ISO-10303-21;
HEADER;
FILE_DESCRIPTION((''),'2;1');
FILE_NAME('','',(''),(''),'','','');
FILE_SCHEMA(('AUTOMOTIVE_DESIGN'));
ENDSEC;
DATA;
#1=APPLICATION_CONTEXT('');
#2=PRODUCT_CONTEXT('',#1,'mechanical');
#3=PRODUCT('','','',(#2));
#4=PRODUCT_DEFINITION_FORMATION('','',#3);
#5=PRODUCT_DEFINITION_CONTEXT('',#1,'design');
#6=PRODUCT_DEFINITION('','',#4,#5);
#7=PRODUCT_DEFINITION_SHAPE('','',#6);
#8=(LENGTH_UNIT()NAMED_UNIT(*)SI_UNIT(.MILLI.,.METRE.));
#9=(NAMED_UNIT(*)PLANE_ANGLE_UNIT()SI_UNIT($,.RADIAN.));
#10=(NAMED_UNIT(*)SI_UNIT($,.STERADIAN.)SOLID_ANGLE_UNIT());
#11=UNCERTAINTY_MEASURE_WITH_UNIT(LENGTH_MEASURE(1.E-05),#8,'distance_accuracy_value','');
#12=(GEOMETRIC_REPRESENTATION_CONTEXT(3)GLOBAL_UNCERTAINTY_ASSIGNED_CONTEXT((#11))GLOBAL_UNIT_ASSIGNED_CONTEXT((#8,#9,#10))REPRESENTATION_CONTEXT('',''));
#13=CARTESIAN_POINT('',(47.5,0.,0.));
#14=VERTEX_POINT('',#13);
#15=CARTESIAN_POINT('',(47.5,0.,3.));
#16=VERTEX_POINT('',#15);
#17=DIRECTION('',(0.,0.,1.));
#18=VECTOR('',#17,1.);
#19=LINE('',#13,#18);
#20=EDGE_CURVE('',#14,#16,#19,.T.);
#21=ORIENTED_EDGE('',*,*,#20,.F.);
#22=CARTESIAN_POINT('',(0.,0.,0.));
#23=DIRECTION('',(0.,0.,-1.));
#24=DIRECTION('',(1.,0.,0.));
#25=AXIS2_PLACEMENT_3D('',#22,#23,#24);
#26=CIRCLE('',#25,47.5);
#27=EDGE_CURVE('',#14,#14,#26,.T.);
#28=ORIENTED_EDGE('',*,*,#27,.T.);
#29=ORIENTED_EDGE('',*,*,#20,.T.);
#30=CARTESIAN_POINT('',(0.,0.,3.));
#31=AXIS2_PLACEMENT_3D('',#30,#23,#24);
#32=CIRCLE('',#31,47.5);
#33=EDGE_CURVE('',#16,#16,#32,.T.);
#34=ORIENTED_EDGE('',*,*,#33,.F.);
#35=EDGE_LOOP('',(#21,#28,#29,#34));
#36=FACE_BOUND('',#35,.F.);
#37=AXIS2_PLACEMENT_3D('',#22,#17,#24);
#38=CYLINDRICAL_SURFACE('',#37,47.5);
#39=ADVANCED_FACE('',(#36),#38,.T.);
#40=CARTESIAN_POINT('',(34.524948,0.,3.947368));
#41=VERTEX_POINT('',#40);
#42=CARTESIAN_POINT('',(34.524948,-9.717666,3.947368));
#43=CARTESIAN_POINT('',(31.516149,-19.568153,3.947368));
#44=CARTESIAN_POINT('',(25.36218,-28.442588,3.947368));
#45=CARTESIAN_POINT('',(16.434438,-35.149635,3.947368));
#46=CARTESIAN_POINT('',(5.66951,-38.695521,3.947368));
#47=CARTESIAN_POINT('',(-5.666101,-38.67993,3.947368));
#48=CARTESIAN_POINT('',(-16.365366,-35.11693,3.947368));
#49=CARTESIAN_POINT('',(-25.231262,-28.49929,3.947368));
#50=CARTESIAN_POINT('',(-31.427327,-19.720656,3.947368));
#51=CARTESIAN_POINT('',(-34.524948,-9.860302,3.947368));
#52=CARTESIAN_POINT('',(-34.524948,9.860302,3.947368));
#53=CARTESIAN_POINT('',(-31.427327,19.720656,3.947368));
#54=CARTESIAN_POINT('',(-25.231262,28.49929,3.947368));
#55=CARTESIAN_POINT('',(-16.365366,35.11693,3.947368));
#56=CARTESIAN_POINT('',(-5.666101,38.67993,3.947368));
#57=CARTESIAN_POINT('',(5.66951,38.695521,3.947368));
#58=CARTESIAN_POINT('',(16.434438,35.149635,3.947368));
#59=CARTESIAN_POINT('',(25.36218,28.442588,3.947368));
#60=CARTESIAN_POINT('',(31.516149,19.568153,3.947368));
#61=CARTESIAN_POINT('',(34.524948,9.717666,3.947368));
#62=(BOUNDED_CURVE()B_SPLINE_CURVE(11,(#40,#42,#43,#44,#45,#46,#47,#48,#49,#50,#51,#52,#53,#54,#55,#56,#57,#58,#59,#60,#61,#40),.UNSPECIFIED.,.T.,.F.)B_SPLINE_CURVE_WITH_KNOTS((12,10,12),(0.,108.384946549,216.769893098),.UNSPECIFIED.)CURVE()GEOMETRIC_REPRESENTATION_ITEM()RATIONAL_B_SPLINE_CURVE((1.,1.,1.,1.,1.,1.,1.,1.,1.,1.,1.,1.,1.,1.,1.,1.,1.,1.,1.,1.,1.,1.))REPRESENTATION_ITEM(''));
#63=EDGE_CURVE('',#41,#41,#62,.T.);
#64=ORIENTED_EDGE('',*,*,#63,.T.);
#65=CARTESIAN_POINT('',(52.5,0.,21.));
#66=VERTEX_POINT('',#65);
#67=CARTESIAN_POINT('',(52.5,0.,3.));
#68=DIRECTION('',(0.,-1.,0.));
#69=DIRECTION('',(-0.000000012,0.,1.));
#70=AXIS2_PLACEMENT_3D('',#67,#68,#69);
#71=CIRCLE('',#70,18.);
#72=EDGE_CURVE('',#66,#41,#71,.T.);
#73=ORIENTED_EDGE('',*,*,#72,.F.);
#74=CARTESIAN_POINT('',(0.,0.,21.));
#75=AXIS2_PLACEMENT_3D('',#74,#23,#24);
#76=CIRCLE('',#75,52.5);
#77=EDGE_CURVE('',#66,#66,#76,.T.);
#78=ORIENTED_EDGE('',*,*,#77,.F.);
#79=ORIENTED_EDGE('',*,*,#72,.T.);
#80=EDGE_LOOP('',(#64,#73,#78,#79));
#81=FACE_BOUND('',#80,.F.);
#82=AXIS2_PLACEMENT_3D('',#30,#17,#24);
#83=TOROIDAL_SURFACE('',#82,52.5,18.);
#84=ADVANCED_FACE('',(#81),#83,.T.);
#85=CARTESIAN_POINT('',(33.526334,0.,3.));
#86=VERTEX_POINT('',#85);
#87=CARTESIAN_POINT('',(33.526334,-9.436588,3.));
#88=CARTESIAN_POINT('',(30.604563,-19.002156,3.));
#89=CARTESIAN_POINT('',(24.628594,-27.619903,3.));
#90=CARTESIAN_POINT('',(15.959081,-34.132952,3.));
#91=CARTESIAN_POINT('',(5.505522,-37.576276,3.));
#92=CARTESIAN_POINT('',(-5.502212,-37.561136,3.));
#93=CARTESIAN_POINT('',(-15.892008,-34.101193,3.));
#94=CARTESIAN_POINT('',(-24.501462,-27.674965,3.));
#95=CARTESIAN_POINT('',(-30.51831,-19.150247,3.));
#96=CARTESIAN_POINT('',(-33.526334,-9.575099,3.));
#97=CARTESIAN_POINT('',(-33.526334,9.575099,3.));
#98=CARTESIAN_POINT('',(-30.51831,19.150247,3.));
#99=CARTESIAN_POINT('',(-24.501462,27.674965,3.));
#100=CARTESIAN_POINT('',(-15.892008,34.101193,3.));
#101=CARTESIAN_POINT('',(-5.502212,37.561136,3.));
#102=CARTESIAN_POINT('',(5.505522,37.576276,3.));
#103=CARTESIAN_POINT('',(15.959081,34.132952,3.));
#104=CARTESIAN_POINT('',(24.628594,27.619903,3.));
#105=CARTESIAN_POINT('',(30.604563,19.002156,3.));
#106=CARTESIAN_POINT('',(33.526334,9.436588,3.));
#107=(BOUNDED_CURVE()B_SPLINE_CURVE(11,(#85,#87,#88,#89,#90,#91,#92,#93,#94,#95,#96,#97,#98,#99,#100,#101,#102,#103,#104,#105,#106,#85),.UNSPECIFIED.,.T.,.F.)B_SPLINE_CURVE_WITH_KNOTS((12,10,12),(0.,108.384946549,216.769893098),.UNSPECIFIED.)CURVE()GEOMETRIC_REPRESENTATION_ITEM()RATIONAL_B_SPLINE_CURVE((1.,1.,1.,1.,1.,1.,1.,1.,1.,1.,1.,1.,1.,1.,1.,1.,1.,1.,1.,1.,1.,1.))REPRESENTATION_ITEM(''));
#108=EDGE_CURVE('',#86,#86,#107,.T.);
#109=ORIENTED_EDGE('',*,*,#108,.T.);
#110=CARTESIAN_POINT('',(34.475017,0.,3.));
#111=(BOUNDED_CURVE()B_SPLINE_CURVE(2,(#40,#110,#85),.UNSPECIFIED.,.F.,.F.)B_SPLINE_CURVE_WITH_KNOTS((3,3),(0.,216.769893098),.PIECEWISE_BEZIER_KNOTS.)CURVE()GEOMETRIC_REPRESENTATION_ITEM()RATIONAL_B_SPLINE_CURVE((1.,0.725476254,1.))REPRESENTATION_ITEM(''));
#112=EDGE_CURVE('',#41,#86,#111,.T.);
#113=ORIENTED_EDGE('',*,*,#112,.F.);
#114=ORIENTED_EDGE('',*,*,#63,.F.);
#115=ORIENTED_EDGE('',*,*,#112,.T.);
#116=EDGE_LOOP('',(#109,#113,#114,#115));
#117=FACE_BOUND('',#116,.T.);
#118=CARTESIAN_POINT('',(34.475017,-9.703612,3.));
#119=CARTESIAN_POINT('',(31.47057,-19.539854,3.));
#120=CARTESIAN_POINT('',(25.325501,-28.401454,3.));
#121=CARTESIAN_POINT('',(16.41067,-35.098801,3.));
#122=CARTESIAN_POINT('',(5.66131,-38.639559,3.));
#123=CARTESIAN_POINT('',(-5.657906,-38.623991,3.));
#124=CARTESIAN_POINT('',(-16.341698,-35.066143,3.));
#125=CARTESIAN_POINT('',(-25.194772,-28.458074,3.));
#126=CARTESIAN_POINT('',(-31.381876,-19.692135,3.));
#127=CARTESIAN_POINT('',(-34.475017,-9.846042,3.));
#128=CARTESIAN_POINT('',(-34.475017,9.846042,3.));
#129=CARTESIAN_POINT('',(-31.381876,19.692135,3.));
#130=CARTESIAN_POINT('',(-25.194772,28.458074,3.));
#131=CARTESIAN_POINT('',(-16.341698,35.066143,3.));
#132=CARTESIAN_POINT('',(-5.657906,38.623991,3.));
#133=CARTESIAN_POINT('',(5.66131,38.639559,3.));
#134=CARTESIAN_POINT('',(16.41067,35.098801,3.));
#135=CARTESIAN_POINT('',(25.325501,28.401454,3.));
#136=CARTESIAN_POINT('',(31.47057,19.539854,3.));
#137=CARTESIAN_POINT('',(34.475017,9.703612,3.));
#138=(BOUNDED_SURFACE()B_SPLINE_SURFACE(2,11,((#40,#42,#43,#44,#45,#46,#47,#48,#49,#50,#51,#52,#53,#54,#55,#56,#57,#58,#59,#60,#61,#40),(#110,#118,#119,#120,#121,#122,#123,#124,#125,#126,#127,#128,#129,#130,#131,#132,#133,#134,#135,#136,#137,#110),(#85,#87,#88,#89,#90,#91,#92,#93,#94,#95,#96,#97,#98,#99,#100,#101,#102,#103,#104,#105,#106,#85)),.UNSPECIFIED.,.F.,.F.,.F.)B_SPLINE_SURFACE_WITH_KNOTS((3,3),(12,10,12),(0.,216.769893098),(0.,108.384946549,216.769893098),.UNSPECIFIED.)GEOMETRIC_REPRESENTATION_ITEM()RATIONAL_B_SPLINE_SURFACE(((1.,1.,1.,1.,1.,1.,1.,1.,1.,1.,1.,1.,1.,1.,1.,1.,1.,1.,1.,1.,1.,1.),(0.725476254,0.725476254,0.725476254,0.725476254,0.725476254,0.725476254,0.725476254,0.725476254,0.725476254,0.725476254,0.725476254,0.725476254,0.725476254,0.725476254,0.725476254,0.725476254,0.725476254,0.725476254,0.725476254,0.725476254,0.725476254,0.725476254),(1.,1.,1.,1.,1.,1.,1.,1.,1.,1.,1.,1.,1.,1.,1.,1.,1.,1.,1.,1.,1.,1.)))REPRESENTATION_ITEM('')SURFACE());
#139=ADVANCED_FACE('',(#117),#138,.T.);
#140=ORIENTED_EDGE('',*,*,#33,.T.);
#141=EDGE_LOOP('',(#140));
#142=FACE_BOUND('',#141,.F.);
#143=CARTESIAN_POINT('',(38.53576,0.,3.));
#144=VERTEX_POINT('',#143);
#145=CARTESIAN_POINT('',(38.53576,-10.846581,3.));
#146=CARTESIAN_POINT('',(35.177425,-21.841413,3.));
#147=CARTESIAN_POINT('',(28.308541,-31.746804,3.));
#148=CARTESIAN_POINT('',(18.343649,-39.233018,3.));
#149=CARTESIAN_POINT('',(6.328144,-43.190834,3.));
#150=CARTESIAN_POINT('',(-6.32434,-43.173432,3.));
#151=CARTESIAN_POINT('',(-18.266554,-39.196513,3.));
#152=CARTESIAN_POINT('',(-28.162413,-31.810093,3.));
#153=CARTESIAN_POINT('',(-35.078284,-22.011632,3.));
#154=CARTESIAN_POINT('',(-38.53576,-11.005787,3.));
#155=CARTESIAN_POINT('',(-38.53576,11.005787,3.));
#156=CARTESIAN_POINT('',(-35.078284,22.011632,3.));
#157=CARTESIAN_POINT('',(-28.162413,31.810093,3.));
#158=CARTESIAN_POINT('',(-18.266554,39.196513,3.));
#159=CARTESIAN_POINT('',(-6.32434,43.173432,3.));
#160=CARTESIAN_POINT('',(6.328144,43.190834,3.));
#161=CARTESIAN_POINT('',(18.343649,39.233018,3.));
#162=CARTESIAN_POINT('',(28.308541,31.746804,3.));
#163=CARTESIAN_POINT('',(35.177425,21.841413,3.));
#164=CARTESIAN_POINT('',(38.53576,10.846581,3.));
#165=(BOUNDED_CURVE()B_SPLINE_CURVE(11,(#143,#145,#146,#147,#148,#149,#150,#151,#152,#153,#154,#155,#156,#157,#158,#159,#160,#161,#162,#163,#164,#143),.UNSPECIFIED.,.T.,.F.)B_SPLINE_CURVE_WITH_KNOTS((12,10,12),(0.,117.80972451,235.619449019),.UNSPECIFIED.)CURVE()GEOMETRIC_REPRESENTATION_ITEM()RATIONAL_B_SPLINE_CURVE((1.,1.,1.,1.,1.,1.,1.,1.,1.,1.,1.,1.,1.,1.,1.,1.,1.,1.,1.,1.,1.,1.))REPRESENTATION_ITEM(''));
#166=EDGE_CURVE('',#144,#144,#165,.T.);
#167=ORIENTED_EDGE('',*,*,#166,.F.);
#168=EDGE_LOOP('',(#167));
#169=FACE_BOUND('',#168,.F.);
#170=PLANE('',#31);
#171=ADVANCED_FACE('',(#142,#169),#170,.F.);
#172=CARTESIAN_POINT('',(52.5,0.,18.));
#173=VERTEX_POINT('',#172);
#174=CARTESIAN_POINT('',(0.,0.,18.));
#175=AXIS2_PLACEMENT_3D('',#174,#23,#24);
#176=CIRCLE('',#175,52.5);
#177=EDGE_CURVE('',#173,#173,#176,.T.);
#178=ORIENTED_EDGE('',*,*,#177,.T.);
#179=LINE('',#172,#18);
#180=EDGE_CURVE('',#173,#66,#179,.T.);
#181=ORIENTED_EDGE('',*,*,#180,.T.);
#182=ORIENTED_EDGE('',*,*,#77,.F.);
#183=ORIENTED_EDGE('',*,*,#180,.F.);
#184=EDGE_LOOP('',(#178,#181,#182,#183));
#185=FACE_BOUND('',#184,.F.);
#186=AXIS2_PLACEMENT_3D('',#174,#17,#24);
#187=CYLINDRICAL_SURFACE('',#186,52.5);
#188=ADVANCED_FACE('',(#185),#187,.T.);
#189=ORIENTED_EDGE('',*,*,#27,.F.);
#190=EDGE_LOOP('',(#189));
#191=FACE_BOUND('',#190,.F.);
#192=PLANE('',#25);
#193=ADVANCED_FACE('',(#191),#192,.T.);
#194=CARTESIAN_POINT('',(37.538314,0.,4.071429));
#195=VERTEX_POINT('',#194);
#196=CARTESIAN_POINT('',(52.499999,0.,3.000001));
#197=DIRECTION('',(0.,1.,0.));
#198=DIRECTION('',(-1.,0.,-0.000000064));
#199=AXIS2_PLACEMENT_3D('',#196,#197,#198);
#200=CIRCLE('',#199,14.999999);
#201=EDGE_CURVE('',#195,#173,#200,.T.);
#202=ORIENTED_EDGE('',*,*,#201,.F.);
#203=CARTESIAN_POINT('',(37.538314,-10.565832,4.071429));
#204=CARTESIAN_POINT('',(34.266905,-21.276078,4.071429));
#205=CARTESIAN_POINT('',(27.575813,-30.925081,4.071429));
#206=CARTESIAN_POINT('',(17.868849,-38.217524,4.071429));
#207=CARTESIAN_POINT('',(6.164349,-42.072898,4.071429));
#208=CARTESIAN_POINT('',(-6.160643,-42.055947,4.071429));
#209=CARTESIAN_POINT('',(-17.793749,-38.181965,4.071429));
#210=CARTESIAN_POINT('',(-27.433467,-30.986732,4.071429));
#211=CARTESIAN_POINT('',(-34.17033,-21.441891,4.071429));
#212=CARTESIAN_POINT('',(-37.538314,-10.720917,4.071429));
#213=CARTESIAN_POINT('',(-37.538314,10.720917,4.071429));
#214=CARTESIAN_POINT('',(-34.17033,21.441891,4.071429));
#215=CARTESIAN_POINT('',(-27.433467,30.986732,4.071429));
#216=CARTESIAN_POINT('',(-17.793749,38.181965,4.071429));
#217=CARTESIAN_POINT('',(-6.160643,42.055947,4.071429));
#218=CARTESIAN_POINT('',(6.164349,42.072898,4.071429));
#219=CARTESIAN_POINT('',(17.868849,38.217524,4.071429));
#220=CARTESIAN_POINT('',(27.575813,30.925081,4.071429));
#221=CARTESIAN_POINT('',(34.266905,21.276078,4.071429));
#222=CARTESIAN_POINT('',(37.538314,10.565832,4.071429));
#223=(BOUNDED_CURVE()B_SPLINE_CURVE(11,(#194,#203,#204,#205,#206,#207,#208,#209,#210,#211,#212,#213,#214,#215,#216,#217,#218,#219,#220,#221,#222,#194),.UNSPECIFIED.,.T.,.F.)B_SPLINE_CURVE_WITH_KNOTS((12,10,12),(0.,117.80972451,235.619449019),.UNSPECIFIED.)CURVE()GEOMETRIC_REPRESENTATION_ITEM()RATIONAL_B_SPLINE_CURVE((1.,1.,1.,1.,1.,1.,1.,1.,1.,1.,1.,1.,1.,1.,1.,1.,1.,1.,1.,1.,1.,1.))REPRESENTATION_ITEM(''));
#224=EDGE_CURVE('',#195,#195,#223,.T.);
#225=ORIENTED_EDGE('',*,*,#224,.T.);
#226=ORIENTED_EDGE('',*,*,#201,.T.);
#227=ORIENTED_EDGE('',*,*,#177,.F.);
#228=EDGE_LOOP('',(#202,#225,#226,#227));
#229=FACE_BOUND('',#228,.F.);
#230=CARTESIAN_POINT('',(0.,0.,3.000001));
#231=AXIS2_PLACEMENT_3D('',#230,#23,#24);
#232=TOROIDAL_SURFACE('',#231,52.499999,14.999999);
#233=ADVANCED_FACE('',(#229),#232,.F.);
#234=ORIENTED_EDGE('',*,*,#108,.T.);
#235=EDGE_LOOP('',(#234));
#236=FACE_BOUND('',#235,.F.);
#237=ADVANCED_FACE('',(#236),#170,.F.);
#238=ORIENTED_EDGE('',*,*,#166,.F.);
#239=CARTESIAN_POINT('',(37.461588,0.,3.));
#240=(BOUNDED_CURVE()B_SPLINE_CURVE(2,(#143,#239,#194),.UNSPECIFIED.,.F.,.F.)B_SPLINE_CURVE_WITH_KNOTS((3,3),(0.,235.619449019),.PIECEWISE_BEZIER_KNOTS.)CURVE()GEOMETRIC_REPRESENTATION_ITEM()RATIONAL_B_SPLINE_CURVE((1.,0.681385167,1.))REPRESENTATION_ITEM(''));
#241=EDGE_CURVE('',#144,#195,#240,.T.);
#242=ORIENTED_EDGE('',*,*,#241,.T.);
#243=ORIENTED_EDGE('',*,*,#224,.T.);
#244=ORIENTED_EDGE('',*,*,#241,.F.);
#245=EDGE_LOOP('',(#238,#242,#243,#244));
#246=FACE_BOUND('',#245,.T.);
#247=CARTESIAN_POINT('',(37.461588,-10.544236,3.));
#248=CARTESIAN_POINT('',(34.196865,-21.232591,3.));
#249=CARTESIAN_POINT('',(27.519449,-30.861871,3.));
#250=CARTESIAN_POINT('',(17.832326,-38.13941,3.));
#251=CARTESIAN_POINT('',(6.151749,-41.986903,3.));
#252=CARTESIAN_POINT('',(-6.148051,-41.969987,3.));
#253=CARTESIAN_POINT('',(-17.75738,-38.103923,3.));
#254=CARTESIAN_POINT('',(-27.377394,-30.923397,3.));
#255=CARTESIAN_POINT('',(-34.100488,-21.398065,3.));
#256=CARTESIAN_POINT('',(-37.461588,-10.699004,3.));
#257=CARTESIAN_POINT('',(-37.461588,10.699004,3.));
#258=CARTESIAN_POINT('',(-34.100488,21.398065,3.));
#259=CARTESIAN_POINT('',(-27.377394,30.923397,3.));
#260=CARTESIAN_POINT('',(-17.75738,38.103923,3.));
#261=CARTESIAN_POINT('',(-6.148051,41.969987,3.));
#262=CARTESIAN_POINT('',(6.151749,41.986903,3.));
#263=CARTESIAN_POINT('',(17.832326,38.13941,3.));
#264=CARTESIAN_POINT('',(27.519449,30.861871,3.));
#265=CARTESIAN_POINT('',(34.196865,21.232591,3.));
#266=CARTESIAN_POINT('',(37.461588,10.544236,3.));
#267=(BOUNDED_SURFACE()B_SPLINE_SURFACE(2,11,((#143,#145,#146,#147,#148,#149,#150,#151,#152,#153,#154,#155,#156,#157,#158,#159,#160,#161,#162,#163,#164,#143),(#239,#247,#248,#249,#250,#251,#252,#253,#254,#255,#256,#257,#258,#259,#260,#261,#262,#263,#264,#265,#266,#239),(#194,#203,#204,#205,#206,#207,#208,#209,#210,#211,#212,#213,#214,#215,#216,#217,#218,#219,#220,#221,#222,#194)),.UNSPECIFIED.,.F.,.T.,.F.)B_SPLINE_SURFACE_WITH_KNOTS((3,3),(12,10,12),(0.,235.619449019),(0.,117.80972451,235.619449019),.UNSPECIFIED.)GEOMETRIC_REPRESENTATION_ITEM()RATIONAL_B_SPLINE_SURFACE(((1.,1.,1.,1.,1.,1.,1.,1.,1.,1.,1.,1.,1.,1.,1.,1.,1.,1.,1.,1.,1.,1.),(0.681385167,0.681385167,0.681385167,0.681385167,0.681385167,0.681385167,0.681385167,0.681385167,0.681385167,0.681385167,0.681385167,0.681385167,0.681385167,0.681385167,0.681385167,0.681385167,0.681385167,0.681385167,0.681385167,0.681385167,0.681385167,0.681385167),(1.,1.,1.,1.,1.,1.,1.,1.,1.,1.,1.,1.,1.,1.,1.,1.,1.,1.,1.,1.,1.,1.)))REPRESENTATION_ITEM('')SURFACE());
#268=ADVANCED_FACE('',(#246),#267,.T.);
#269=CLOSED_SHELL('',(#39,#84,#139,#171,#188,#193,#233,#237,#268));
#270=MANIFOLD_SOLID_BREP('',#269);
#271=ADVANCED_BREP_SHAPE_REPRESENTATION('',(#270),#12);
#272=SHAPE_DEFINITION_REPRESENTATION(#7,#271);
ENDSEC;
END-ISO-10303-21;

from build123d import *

# Parameters (mm, degrees)
F2_R = 1


with BuildPart() as f1:
    # F0 (on Front) → F1 (revolve)
    with BuildSketch(Plane.XZ):
        Polygon((0, 3), (0, 0), (47.5, 0), (47.5, 3), (37.5, 3), (34.5, 3), align=None)
        with BuildLine():
            ThreePointArc((52.5, 21), (39.772078, 15.727922), (34.5, 3))
            Line((34.5, 3), (37.5, 3))
            ThreePointArc((37.5, 3), (41.893398, 13.606602), (52.5, 18))
            Line((52.5, 18), (52.5, 21))
        make_face()
    revolve(axis=Axis((0, 0, -4.768059), (0, 0, -1)))

    # F2
    f2_edges = [f1.edges().sort_by_distance(p)[0] for p in [
        (-34.5, 0, 3),
        (-37.5, 0, 3),
    ]]
    fillet(f2_edges, radius=F2_R)


solid = f1.part
